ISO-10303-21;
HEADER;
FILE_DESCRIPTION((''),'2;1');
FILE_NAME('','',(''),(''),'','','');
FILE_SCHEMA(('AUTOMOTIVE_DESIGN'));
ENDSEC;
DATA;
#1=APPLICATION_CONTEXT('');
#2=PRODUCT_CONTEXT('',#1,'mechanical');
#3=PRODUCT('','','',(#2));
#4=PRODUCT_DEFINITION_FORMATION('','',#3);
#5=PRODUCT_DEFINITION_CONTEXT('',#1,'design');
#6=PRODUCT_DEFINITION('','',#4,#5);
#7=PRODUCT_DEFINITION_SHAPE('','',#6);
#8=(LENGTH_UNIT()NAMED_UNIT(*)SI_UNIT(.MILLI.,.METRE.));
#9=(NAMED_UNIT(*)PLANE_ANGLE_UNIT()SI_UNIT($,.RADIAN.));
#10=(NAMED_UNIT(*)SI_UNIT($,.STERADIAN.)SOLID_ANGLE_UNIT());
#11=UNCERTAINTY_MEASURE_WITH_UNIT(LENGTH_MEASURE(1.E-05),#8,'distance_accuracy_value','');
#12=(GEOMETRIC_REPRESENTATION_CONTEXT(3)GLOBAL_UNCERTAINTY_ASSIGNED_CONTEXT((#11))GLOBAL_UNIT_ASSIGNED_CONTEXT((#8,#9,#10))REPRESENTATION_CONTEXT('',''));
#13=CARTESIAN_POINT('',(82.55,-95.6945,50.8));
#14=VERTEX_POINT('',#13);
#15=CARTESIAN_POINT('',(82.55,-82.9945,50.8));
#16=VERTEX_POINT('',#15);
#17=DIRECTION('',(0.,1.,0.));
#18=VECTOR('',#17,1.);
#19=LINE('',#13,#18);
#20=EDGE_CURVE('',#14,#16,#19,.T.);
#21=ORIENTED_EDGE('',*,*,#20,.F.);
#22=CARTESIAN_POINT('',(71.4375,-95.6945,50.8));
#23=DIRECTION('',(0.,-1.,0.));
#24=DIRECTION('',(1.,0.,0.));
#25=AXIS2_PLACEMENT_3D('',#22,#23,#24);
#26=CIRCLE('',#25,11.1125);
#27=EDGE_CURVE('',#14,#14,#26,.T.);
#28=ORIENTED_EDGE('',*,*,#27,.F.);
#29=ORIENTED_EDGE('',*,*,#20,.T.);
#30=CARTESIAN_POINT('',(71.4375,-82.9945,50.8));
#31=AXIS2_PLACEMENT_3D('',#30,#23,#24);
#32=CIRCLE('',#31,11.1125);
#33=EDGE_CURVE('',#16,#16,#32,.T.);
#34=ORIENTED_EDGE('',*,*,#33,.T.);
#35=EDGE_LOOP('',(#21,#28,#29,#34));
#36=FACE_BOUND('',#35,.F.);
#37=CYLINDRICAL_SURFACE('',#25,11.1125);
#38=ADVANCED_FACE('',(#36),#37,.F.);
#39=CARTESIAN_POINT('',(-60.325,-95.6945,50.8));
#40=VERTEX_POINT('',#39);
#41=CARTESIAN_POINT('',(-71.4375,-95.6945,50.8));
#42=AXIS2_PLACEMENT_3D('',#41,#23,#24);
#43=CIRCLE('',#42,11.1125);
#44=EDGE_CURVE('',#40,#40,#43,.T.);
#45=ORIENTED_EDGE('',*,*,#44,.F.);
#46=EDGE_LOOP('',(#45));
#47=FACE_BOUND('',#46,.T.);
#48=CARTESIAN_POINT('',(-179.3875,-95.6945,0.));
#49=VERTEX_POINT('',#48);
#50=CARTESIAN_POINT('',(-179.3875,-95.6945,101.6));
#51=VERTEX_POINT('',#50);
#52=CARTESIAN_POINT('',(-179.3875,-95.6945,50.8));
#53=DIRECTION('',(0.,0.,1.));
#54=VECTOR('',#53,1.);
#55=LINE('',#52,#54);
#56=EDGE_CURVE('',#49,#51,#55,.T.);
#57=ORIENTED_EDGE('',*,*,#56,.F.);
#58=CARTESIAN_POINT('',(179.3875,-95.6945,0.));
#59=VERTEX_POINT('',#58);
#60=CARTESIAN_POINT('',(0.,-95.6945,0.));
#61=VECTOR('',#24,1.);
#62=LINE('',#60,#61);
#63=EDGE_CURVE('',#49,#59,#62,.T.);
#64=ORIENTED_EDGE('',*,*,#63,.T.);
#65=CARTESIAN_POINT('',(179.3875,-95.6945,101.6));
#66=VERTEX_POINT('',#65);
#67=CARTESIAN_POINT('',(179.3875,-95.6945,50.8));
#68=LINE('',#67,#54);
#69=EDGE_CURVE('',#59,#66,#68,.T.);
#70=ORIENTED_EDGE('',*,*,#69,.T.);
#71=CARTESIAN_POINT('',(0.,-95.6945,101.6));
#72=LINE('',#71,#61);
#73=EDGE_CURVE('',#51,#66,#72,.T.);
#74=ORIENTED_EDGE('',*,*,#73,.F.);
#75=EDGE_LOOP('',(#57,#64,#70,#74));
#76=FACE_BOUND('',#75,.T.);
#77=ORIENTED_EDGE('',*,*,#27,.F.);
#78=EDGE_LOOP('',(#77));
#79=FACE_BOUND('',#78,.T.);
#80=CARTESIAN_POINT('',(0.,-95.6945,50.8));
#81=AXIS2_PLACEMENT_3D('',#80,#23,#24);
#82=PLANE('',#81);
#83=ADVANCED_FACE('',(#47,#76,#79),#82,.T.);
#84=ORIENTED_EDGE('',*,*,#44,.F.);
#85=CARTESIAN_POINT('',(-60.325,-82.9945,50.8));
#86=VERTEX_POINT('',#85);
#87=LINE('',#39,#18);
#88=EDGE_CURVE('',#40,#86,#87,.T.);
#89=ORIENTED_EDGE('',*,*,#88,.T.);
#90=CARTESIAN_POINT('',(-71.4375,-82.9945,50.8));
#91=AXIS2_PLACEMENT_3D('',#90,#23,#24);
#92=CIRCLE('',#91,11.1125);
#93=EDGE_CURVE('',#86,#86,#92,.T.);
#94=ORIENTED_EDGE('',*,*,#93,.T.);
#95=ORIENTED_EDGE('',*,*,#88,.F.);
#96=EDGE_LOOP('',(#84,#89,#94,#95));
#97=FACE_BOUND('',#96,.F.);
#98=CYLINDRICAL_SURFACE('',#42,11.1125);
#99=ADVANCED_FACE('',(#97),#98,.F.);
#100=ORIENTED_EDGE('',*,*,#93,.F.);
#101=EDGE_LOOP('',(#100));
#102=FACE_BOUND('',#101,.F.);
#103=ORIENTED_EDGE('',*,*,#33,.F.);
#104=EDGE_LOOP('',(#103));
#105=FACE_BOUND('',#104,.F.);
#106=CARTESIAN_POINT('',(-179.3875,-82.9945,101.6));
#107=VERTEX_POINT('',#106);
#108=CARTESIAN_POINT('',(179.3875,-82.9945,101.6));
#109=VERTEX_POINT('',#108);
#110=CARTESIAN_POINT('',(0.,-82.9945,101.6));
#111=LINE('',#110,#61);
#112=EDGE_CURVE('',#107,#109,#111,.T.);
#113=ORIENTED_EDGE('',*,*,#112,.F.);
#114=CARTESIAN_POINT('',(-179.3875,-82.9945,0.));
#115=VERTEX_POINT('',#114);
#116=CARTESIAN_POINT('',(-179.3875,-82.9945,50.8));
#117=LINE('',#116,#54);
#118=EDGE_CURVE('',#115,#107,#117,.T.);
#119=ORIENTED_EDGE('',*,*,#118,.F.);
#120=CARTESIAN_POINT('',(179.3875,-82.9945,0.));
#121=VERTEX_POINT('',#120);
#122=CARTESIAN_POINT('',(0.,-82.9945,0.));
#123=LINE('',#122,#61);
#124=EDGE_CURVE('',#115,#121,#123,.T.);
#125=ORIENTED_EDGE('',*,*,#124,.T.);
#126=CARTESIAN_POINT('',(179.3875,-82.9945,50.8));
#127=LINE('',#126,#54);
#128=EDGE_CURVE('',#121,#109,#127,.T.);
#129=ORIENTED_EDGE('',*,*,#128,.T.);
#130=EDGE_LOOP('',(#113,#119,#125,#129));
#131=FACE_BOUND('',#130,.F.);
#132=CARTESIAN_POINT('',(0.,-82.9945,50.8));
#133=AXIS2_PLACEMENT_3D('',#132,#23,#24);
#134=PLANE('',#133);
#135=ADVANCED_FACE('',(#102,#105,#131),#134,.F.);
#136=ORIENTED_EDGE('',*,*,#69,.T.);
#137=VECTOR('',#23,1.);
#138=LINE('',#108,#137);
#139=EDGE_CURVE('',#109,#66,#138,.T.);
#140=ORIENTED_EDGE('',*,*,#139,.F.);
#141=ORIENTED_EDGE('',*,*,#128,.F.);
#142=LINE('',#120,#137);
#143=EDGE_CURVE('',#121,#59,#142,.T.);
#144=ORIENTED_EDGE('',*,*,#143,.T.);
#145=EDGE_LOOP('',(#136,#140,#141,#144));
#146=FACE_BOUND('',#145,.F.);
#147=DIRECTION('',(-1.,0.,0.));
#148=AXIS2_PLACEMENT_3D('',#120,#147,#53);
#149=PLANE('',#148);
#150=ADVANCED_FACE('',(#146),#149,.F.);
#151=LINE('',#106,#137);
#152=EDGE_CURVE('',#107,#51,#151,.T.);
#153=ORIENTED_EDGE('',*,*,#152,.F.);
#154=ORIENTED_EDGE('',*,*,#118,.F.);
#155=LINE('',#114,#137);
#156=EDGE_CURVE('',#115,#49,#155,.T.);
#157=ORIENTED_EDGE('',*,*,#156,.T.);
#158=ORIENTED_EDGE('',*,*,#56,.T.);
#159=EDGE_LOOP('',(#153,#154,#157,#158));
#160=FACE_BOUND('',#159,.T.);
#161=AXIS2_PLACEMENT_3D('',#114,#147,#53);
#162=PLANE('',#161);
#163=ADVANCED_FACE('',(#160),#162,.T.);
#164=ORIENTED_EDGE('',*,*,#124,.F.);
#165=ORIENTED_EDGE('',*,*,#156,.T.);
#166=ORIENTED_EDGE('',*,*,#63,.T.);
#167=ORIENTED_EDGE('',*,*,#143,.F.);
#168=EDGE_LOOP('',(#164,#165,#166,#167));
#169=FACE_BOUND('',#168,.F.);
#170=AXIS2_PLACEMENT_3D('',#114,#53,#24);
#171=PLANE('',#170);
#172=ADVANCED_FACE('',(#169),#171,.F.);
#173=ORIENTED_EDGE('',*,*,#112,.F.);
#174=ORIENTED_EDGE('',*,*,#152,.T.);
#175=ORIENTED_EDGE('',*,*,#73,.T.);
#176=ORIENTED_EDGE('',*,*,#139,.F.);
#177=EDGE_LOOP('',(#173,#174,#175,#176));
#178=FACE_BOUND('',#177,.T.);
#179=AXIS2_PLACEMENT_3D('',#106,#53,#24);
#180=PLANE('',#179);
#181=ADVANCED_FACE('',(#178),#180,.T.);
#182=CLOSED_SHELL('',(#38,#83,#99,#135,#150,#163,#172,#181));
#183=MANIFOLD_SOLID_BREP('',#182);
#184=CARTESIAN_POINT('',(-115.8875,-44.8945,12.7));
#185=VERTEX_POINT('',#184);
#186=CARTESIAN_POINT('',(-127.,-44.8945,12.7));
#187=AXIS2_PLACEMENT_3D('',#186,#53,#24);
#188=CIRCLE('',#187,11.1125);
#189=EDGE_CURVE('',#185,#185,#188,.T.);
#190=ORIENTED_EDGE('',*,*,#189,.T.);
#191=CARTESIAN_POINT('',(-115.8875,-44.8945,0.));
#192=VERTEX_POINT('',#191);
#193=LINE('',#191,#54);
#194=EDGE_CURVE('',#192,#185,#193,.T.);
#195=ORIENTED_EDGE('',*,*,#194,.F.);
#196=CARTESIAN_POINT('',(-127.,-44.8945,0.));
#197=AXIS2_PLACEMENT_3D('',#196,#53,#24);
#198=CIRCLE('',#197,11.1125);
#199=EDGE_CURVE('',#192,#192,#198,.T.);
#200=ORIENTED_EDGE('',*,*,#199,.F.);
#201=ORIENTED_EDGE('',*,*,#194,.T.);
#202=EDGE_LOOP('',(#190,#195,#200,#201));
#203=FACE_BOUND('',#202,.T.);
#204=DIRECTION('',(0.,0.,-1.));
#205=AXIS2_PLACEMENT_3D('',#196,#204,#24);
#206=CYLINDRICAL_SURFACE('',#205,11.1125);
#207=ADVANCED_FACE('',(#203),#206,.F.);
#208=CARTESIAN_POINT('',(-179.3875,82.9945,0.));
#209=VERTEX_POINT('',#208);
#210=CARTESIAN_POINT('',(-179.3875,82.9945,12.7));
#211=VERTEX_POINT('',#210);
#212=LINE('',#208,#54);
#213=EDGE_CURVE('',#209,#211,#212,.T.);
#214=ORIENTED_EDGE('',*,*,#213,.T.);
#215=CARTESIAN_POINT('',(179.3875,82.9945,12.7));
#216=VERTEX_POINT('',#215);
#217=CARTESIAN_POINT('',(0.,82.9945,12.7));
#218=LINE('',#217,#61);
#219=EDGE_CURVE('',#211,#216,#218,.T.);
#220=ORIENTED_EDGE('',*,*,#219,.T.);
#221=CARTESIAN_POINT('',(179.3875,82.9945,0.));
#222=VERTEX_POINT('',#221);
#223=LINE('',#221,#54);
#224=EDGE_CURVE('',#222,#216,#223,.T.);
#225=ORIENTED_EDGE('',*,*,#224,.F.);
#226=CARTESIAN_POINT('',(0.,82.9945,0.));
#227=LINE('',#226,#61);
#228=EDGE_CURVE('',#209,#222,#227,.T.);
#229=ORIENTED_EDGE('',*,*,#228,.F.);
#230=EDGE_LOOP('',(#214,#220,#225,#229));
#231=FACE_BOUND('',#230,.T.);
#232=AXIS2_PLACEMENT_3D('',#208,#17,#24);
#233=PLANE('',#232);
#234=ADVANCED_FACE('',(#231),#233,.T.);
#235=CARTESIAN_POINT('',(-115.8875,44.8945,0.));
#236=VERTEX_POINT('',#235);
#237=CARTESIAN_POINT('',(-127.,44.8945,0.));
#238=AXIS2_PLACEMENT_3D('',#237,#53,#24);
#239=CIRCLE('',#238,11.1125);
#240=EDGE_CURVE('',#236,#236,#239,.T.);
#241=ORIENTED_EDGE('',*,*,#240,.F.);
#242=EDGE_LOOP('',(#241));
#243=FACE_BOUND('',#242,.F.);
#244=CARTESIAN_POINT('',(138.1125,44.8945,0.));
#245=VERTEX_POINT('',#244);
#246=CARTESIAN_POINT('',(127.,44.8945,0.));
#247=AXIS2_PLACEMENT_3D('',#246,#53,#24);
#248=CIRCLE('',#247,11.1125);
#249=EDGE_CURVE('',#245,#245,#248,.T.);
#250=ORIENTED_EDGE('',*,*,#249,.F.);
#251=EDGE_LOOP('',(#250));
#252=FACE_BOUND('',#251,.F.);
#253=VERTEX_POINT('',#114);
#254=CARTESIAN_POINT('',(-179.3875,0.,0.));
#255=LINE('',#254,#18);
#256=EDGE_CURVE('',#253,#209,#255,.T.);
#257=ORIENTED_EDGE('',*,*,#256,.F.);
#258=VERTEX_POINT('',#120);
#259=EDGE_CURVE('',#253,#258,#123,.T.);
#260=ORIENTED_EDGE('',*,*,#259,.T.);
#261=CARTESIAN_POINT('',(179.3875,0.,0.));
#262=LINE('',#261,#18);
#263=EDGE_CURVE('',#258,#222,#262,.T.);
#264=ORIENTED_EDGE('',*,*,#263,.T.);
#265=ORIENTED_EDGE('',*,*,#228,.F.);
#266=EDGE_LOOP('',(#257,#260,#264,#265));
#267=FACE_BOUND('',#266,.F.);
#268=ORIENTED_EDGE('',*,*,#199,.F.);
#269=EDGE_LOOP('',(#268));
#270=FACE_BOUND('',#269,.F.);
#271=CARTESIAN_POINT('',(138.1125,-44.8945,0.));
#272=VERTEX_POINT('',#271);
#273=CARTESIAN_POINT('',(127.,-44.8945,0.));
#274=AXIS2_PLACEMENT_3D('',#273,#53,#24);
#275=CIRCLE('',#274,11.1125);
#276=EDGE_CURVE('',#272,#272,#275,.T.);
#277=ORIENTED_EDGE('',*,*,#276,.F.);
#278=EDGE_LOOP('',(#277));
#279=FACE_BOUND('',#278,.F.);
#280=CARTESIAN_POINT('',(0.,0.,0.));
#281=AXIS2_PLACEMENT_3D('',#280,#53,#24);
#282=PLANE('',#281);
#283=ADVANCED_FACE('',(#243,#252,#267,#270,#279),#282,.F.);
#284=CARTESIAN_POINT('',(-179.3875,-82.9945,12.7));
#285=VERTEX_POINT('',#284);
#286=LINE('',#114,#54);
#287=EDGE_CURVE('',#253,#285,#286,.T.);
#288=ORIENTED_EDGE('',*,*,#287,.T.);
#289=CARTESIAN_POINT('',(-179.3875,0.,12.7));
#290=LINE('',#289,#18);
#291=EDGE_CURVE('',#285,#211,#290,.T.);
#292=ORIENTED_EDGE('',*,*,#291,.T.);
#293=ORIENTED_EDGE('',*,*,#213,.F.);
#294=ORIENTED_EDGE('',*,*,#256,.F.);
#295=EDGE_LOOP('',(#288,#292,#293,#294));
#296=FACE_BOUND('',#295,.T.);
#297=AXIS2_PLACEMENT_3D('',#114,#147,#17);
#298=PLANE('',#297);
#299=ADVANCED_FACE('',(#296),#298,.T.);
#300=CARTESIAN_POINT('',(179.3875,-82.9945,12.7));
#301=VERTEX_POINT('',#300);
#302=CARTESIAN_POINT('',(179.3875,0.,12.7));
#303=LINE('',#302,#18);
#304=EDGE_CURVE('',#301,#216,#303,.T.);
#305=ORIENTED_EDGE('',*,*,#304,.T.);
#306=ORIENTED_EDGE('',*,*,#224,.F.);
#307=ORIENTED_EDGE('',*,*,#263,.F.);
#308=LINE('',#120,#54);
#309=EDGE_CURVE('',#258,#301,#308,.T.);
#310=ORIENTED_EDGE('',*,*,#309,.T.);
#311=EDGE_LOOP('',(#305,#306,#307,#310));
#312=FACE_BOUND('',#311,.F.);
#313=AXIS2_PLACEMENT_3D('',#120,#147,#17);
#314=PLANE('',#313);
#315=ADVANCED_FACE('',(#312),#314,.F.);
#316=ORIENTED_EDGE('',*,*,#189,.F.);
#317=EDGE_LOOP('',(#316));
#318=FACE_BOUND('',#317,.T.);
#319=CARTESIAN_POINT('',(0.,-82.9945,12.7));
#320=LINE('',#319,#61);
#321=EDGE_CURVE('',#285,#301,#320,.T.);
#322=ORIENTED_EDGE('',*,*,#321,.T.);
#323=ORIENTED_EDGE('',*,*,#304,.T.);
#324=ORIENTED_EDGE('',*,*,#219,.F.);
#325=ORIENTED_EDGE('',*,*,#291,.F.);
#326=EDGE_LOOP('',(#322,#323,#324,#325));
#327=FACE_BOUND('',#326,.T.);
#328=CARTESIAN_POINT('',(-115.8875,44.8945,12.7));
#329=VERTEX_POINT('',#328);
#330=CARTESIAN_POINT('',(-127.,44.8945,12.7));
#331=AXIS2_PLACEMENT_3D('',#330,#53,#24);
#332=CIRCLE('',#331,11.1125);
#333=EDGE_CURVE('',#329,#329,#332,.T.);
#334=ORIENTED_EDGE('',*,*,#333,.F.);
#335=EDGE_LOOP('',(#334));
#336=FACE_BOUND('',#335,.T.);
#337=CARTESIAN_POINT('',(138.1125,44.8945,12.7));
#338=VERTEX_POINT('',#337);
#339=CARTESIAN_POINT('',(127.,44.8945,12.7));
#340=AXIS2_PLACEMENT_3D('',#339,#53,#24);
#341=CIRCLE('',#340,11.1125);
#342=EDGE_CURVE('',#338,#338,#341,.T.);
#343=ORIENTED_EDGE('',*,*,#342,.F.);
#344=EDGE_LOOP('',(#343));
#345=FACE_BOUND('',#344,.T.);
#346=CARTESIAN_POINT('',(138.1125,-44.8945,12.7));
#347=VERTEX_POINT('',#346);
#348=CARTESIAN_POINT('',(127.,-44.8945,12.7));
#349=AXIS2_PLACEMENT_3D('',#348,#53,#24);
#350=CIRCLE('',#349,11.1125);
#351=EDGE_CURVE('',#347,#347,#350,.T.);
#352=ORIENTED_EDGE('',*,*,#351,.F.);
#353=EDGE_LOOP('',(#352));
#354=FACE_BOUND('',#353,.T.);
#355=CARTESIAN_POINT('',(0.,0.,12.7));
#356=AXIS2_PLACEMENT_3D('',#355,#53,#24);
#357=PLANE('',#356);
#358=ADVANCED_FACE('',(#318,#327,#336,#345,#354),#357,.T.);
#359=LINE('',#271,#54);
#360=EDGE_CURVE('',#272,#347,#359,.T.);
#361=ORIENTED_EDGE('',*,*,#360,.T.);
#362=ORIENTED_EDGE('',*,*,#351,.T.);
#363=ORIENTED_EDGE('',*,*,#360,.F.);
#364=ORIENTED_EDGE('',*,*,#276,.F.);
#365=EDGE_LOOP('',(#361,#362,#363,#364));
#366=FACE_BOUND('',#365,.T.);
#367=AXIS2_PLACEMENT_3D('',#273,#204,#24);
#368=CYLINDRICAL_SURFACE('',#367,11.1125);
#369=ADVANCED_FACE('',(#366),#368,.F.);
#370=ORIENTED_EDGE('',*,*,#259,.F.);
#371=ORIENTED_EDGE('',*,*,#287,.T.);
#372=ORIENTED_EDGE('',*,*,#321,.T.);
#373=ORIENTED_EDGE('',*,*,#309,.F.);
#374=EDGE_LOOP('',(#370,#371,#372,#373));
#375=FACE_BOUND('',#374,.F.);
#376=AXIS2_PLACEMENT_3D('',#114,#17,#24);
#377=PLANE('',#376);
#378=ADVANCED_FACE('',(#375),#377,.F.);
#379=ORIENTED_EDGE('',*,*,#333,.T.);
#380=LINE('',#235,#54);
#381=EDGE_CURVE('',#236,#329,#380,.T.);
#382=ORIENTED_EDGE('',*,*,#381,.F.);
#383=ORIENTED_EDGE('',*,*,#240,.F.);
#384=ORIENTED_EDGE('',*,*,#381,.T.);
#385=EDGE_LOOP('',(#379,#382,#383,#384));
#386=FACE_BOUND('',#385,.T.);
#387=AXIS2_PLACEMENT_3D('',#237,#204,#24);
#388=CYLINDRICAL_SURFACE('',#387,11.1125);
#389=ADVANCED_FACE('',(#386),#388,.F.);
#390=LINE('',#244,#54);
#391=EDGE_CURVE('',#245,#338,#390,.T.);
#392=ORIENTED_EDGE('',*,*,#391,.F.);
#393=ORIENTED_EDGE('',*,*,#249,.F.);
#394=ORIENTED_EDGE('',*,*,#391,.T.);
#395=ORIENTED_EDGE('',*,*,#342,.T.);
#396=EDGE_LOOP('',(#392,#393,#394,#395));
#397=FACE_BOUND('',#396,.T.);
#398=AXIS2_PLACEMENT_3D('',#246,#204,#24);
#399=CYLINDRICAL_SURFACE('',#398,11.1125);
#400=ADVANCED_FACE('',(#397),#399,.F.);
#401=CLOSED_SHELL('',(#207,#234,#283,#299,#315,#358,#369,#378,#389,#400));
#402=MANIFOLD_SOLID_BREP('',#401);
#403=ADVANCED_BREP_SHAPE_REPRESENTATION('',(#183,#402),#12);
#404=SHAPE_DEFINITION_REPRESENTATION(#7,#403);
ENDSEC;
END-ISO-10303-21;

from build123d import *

# Parameters (mm, degrees)
F0_W     = 358.775
F0_H     = 165.989
F0_R     = 11.1125
F1_DEPTH = 12.7
F2_W     = 358.775
F2_H     = 101.6
F3_DEPTH = 12.7
F4_R     = 11.1125
F5_DEPTH = 178.69


with BuildPart() as f1:
    # F0 (on Top) → F1 (new body)
    with BuildSketch(Plane.XY):
        Rectangle(F0_W, F0_H)
        with Locations((-127, -44.8945)):
            Circle(F0_R, mode=Mode.SUBTRACT)
        with Locations((127, -44.8945)):
            Circle(F0_R, mode=Mode.SUBTRACT)
        with Locations((-127, 44.8945)):
            Circle(F0_R, mode=Mode.SUBTRACT)
        with Locations((127, 44.8945)):
            Circle(F0_R, mode=Mode.SUBTRACT)
    extrude(amount=F1_DEPTH)


with BuildPart() as f3:
    # F2 (on face) → F3 (new body)
    with BuildSketch(Plane.XZ.offset(82.9945)):
        with Locations((0, 50.8)):
            Rectangle(F2_W, F2_H)
    extrude(amount=F3_DEPTH)

    # F4 (on face) → F5 (cut, through all)
    with BuildSketch(Plane.XZ.offset(95.6945)):
        with Locations((-71.4375, 50.8)):
            Circle(F4_R)
        with Locations((71.4375, 50.8)):
            Circle(F4_R)
    extrude(amount=-F5_DEPTH, mode=Mode.SUBTRACT)


solid = Compound([f1.part, f3.part])
